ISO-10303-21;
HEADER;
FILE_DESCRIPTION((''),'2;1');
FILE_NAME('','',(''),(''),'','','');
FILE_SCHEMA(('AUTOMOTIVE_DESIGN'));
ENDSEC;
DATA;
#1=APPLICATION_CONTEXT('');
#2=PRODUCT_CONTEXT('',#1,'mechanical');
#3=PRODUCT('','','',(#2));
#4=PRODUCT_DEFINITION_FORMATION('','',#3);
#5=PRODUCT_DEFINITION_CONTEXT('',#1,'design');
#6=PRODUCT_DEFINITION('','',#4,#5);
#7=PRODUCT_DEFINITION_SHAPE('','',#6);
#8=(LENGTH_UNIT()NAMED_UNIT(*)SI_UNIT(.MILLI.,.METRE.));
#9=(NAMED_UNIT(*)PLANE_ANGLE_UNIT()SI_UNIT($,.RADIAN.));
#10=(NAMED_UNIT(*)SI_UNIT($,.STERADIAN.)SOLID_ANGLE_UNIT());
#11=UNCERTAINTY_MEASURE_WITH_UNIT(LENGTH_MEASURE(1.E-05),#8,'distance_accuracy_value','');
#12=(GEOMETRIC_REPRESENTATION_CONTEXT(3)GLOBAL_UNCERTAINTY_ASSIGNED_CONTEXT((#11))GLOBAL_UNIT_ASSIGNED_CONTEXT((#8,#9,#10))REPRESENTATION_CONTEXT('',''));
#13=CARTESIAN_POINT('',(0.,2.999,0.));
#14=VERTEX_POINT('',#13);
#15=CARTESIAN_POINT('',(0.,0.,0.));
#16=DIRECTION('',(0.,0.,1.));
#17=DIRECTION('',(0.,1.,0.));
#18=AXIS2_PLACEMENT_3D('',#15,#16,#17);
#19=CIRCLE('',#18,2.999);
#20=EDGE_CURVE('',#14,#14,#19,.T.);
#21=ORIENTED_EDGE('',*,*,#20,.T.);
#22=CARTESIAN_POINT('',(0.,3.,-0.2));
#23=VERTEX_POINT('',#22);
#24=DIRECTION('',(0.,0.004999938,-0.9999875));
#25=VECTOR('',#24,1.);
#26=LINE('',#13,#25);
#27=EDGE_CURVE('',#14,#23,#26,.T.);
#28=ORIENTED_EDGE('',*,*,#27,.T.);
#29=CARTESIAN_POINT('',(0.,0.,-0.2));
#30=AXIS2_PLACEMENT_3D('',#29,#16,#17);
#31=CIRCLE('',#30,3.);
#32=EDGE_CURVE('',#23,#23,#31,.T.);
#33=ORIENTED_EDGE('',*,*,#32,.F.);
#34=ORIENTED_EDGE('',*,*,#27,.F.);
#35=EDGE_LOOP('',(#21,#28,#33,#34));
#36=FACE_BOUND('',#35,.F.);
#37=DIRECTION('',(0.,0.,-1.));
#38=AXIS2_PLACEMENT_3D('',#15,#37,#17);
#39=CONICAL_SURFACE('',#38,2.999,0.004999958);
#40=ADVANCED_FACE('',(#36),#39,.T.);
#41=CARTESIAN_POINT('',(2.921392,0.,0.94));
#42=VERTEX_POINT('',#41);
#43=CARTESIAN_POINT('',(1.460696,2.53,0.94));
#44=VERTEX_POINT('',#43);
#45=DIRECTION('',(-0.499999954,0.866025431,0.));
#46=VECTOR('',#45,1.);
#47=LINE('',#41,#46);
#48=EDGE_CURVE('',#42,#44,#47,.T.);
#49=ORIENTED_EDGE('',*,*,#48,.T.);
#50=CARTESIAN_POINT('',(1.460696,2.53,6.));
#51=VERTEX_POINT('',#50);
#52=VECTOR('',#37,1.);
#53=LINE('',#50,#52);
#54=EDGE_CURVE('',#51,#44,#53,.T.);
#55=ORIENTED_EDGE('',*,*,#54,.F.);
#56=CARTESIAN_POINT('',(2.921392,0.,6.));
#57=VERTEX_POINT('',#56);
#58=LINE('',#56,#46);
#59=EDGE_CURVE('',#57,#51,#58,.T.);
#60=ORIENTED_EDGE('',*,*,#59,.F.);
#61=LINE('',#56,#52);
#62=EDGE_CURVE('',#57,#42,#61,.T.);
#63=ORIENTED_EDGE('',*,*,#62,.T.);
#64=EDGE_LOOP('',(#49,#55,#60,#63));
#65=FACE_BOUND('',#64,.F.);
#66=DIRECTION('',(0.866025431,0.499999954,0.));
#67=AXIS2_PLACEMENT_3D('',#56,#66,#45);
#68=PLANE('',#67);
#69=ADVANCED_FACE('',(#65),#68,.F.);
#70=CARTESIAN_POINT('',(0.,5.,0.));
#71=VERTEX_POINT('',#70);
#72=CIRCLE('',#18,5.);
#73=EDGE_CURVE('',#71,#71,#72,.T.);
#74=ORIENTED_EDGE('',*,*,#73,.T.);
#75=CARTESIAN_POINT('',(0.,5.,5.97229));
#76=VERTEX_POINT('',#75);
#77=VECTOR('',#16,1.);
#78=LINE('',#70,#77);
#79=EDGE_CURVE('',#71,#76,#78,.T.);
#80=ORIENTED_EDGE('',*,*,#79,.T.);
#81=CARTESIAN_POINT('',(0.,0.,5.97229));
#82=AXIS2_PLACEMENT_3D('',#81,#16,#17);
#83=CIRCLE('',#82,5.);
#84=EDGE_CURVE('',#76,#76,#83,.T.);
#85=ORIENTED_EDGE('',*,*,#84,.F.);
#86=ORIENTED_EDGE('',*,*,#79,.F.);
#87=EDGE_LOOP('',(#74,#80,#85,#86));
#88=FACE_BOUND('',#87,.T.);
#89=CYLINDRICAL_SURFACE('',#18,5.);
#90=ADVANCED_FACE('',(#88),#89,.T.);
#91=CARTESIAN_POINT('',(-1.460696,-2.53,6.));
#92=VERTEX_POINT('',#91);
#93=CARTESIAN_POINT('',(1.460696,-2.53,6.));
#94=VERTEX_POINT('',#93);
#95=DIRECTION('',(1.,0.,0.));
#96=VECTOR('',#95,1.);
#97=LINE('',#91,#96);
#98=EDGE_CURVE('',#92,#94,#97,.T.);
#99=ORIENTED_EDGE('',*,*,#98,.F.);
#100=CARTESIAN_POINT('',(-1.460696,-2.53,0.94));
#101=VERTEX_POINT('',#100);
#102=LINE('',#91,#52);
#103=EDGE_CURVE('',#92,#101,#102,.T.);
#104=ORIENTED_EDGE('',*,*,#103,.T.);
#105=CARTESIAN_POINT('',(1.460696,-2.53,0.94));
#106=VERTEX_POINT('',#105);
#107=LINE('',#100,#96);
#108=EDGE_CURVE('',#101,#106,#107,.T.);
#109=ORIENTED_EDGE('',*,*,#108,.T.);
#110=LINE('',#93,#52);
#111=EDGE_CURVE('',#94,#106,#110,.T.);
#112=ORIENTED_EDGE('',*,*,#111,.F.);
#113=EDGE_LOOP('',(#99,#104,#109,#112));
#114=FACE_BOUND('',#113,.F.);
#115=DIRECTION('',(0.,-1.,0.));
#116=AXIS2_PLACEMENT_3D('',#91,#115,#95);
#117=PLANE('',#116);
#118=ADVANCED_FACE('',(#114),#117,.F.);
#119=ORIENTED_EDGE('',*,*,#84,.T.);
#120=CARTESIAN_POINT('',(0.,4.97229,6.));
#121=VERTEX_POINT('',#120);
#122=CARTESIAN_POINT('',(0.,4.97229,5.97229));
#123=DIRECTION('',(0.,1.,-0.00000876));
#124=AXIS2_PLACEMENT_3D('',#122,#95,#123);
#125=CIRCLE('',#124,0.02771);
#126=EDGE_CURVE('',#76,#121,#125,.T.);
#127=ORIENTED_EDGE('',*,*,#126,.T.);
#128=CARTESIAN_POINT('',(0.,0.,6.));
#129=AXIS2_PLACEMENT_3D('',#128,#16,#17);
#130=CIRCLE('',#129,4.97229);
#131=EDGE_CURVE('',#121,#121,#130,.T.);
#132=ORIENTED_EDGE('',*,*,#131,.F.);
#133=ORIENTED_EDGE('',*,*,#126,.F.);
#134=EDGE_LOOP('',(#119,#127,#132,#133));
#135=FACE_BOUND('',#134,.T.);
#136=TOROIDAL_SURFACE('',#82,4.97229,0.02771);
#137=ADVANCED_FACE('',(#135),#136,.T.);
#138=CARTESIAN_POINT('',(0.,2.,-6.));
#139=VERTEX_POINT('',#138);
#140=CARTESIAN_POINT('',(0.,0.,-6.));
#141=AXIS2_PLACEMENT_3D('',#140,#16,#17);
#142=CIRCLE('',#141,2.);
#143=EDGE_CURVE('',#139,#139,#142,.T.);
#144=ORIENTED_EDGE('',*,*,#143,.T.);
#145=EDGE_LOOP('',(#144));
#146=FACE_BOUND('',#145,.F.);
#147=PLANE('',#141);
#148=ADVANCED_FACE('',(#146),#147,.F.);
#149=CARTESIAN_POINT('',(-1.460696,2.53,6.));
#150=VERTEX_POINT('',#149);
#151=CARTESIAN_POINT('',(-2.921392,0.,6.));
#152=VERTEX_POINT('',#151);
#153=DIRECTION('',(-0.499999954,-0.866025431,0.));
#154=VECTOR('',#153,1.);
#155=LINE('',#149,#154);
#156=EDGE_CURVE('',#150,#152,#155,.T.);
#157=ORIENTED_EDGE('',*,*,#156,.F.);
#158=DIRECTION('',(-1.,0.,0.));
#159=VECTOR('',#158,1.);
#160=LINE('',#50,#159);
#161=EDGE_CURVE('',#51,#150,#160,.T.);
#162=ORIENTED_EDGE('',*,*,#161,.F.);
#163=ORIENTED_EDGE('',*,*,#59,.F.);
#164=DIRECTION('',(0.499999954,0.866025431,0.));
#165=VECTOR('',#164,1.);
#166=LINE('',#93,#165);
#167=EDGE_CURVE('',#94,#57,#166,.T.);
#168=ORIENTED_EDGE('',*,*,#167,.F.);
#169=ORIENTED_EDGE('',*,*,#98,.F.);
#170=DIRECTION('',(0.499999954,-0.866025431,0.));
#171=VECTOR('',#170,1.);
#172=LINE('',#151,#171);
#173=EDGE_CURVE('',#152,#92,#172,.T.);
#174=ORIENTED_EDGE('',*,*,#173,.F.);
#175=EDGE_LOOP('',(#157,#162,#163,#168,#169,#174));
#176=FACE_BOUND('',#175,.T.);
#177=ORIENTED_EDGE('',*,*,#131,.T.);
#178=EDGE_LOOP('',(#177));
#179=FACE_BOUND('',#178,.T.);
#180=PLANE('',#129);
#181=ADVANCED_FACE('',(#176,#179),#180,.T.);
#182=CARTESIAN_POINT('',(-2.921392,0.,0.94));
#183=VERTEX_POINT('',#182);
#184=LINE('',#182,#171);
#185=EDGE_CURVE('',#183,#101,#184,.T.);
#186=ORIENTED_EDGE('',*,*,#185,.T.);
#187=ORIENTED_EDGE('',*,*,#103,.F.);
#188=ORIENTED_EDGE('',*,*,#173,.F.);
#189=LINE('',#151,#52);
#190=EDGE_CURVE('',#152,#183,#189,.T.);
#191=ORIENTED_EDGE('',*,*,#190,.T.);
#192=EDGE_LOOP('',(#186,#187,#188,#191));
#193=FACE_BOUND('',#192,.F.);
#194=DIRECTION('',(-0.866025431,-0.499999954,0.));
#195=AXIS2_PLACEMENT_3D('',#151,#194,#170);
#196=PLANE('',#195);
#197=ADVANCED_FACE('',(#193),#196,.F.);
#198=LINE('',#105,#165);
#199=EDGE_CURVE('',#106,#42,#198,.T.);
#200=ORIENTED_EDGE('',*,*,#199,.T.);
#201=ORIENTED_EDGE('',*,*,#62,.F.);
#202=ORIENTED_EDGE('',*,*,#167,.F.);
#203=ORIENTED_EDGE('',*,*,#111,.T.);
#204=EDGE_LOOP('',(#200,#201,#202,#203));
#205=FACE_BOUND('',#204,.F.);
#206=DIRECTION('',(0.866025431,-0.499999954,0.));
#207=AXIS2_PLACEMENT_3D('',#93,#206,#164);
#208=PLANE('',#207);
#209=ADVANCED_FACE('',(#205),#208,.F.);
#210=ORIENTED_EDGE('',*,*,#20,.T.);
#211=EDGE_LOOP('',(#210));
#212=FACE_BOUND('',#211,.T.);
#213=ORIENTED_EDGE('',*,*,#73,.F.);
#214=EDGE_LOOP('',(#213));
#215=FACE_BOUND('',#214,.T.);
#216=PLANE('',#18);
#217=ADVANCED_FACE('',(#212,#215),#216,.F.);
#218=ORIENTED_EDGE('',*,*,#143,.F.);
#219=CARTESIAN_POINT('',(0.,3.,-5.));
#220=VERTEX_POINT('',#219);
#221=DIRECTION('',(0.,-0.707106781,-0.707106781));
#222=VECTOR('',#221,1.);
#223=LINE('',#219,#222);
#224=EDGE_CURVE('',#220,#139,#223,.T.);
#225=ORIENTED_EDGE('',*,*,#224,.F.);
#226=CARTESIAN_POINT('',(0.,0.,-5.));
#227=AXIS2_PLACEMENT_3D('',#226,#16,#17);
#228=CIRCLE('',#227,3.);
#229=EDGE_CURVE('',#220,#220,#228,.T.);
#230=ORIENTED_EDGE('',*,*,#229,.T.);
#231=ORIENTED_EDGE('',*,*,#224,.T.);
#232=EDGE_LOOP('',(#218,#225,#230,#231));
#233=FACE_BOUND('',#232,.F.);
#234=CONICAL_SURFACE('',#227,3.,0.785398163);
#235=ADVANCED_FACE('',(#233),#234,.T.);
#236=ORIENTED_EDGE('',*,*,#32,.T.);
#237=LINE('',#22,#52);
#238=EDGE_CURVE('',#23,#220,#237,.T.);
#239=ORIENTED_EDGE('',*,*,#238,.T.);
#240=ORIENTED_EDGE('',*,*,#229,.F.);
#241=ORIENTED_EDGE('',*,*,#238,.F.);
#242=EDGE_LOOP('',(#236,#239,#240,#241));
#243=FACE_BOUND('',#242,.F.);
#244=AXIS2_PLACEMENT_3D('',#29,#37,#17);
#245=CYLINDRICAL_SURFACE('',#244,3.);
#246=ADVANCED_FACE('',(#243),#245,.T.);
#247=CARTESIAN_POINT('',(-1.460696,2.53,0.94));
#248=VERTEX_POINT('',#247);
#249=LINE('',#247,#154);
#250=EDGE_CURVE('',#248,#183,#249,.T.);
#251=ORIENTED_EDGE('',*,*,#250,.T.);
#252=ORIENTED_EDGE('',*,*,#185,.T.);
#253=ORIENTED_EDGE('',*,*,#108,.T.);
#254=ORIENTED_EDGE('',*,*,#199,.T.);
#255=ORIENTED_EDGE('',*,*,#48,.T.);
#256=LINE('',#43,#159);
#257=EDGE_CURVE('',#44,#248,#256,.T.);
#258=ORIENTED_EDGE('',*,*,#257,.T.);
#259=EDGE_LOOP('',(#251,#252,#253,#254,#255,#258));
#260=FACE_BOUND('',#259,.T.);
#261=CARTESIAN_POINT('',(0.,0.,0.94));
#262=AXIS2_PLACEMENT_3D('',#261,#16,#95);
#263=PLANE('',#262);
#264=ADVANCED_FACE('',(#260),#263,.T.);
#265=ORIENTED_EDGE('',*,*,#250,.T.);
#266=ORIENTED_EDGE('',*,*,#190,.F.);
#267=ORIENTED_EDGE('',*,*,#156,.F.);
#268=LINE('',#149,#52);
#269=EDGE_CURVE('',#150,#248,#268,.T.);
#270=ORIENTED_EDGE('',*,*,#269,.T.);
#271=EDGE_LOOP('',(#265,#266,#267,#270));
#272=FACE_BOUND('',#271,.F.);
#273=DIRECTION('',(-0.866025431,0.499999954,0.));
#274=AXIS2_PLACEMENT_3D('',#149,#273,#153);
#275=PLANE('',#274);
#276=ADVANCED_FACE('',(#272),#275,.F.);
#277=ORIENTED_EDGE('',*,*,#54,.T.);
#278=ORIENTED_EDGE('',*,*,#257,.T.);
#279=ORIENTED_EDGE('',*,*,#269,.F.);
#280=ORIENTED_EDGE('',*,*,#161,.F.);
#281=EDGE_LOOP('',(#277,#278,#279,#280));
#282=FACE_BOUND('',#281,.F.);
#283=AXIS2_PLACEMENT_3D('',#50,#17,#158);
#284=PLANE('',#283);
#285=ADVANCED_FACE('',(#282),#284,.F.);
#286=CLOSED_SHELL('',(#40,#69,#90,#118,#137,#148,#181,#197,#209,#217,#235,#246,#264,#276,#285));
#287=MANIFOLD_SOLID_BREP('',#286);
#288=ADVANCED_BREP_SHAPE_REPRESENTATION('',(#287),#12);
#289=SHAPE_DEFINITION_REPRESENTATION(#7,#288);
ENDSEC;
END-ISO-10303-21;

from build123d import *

# Parameters (mm, degrees)
POCKET_DEPTH = 5.06


with BuildPart() as part:
    # Sketch → Revolve (revolve)
    with BuildSketch(Plane.YZ):
        with BuildLine():
            Line((2.999, 0), (5, 0))
            Line((5, 0), (5, 5.97229))
            ThreePointArc((5, 5.97229), (4.991884, 5.991884), (4.97229, 6))
            Line((4.97229, 6), (0, 6))
            Line((0, -6), (0, 6))
            Line((2, -6), (0, -6))
            Line((3, -5), (2, -6))
            Line((3, -0.2), (3, -5))
            Line((2.999, 0), (3, -0.2))
        make_face()
    revolve(axis=Axis((0, 0, 0), (0, 0, 1)))

    # Sketch001 → Pocket (cut)
    with BuildSketch(Plane.XY.offset(6)):
        Polygon((2.921392, 0), (1.460696, 2.53), (-1.460696, 2.53), (-2.921392, 0), (-1.460696, -2.53), (1.460696, -2.53), align=None)
    extrude(amount=-POCKET_DEPTH, mode=Mode.SUBTRACT)


solid = part.part
